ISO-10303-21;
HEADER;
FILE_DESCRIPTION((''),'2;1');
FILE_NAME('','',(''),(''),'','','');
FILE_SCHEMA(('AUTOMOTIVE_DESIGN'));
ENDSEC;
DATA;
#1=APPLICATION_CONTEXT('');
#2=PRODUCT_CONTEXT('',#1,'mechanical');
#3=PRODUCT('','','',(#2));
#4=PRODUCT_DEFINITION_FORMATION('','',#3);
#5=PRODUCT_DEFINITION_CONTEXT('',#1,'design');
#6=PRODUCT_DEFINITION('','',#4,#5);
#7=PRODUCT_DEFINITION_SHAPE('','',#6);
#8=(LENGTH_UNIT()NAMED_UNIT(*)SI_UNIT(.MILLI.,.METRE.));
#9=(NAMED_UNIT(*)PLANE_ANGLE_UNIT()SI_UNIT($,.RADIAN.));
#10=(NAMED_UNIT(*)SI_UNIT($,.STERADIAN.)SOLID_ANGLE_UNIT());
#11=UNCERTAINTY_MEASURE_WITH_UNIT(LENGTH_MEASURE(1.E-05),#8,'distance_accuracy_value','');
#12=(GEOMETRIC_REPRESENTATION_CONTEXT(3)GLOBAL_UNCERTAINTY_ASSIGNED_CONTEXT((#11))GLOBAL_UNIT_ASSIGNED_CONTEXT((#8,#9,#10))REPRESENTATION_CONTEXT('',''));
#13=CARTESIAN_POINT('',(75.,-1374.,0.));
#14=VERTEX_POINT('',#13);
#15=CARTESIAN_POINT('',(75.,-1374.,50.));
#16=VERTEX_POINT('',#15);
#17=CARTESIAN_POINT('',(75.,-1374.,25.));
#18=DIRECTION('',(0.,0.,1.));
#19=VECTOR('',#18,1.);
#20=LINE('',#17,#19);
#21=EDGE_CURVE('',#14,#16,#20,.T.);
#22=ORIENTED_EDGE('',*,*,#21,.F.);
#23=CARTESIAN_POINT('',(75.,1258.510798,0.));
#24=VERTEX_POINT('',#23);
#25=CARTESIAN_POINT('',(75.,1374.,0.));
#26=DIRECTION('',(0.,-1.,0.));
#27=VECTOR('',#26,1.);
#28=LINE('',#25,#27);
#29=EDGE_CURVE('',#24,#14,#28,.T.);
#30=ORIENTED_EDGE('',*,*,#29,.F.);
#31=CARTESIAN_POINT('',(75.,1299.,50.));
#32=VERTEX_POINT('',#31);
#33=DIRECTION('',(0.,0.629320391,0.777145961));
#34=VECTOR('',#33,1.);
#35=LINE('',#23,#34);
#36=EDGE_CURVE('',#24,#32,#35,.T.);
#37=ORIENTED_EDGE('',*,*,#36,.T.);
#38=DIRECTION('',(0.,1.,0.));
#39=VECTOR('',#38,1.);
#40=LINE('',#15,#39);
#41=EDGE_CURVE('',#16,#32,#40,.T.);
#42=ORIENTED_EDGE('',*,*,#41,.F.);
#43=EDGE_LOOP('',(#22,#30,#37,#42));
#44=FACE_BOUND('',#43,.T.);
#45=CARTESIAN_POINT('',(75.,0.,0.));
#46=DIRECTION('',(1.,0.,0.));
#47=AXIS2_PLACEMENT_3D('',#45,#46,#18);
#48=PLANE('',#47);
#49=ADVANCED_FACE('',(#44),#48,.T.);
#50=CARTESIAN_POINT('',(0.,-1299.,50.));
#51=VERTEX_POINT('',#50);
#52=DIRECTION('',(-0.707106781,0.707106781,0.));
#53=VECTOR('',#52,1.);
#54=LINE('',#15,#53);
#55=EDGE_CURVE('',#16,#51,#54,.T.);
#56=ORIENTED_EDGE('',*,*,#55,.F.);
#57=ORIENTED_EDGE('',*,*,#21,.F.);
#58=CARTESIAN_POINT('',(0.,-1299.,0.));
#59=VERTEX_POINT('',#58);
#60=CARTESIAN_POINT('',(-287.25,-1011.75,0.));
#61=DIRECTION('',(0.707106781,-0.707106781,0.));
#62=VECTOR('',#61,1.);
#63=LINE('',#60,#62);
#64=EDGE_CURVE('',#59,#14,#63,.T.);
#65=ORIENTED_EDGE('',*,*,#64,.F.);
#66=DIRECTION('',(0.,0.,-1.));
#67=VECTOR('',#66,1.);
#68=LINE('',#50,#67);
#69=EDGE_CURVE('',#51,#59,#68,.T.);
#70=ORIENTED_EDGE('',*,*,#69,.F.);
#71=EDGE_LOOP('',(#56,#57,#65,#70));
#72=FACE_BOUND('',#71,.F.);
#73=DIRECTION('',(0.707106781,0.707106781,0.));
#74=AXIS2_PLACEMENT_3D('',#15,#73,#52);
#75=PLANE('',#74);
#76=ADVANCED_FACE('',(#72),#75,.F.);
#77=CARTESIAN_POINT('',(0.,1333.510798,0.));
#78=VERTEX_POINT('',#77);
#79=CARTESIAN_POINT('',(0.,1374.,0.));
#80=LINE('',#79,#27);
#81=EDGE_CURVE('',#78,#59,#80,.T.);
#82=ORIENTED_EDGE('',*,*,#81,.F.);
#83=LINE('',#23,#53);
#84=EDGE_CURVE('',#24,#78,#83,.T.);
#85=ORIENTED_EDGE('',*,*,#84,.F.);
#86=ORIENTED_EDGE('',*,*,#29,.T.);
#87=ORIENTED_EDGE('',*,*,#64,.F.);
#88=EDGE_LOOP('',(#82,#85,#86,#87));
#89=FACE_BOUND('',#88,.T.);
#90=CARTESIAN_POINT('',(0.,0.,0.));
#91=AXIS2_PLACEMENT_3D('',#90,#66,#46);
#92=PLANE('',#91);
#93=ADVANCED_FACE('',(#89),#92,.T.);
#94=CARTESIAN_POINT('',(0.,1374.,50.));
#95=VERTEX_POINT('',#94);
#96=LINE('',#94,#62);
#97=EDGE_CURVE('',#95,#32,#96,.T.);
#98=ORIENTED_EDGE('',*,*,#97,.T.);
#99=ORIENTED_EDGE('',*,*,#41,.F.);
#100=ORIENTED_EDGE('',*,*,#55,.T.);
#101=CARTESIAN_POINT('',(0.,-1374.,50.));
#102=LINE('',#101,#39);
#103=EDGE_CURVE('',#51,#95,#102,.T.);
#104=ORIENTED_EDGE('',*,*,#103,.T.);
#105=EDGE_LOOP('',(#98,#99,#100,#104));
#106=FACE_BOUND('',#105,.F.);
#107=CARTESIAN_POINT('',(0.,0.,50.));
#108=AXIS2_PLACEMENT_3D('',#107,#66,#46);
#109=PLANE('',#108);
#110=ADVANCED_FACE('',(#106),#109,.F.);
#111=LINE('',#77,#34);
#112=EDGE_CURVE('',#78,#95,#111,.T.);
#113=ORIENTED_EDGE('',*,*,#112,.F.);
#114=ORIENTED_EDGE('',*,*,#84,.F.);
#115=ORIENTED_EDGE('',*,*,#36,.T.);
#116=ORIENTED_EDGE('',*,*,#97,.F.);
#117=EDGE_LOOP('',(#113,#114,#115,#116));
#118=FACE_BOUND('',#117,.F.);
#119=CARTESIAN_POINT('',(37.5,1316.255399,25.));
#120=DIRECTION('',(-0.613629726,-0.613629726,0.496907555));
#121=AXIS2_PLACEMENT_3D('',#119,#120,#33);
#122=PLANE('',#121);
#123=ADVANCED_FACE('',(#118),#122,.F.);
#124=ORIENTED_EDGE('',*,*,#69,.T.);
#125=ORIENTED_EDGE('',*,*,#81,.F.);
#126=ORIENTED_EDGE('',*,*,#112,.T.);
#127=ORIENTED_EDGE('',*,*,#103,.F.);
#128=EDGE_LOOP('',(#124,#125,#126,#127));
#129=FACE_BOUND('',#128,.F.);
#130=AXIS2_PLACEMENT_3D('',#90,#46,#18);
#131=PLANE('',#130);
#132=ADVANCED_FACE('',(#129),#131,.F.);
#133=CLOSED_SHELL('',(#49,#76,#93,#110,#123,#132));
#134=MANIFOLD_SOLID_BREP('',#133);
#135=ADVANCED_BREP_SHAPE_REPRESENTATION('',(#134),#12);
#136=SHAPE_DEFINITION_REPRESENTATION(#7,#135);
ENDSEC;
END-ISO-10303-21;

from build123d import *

# Parameters (mm, degrees)
F0_W     = 75
F0_H     = 50
F1_DEPTH = 1374
F3_DEPTH = 50.001


with BuildPart() as f1:
    # F0 (on Front) → F1 (new body, symmetric)
    with BuildSketch(Plane.XZ):
        with Locations((37.5, 25)):
            Rectangle(F0_W, F0_H)
    extrude(amount=F1_DEPTH, both=True)

    # F2 (on face) → F3 (cut, through all)
    with BuildSketch(Plane.XY.offset(50)):
        Polygon((0, 1374), (75, 1299), (75, 1374), align=None)
        Polygon((0, -1374), (75, -1374), (0, -1299), align=None)
    extrude(amount=-F3_DEPTH, mode=Mode.SUBTRACT)

    # F5: sweep along a path in F5_path
    with BuildLine(Plane(origin=(75, 1299, 0), x_dir=(0.7071067812, -0.7071067812, 0), z_dir=(0.7071067812, 0.7071067812, 0))) as f5_path:
        Line((0, 0), (-106.066017178, 0))
    # F4 (on face) → F5 (sweep, cut)
    with BuildSketch(Plane(origin=(0, 0, 0), x_dir=(0, -1, 0), z_dir=(-1, 0, 0))):
        Polygon((-1333.5107983402, 0), (-1374, 50), (-1374, 0), align=None)
    sweep(path=f5_path.line, mode=Mode.SUBTRACT)


solid = f1.part
